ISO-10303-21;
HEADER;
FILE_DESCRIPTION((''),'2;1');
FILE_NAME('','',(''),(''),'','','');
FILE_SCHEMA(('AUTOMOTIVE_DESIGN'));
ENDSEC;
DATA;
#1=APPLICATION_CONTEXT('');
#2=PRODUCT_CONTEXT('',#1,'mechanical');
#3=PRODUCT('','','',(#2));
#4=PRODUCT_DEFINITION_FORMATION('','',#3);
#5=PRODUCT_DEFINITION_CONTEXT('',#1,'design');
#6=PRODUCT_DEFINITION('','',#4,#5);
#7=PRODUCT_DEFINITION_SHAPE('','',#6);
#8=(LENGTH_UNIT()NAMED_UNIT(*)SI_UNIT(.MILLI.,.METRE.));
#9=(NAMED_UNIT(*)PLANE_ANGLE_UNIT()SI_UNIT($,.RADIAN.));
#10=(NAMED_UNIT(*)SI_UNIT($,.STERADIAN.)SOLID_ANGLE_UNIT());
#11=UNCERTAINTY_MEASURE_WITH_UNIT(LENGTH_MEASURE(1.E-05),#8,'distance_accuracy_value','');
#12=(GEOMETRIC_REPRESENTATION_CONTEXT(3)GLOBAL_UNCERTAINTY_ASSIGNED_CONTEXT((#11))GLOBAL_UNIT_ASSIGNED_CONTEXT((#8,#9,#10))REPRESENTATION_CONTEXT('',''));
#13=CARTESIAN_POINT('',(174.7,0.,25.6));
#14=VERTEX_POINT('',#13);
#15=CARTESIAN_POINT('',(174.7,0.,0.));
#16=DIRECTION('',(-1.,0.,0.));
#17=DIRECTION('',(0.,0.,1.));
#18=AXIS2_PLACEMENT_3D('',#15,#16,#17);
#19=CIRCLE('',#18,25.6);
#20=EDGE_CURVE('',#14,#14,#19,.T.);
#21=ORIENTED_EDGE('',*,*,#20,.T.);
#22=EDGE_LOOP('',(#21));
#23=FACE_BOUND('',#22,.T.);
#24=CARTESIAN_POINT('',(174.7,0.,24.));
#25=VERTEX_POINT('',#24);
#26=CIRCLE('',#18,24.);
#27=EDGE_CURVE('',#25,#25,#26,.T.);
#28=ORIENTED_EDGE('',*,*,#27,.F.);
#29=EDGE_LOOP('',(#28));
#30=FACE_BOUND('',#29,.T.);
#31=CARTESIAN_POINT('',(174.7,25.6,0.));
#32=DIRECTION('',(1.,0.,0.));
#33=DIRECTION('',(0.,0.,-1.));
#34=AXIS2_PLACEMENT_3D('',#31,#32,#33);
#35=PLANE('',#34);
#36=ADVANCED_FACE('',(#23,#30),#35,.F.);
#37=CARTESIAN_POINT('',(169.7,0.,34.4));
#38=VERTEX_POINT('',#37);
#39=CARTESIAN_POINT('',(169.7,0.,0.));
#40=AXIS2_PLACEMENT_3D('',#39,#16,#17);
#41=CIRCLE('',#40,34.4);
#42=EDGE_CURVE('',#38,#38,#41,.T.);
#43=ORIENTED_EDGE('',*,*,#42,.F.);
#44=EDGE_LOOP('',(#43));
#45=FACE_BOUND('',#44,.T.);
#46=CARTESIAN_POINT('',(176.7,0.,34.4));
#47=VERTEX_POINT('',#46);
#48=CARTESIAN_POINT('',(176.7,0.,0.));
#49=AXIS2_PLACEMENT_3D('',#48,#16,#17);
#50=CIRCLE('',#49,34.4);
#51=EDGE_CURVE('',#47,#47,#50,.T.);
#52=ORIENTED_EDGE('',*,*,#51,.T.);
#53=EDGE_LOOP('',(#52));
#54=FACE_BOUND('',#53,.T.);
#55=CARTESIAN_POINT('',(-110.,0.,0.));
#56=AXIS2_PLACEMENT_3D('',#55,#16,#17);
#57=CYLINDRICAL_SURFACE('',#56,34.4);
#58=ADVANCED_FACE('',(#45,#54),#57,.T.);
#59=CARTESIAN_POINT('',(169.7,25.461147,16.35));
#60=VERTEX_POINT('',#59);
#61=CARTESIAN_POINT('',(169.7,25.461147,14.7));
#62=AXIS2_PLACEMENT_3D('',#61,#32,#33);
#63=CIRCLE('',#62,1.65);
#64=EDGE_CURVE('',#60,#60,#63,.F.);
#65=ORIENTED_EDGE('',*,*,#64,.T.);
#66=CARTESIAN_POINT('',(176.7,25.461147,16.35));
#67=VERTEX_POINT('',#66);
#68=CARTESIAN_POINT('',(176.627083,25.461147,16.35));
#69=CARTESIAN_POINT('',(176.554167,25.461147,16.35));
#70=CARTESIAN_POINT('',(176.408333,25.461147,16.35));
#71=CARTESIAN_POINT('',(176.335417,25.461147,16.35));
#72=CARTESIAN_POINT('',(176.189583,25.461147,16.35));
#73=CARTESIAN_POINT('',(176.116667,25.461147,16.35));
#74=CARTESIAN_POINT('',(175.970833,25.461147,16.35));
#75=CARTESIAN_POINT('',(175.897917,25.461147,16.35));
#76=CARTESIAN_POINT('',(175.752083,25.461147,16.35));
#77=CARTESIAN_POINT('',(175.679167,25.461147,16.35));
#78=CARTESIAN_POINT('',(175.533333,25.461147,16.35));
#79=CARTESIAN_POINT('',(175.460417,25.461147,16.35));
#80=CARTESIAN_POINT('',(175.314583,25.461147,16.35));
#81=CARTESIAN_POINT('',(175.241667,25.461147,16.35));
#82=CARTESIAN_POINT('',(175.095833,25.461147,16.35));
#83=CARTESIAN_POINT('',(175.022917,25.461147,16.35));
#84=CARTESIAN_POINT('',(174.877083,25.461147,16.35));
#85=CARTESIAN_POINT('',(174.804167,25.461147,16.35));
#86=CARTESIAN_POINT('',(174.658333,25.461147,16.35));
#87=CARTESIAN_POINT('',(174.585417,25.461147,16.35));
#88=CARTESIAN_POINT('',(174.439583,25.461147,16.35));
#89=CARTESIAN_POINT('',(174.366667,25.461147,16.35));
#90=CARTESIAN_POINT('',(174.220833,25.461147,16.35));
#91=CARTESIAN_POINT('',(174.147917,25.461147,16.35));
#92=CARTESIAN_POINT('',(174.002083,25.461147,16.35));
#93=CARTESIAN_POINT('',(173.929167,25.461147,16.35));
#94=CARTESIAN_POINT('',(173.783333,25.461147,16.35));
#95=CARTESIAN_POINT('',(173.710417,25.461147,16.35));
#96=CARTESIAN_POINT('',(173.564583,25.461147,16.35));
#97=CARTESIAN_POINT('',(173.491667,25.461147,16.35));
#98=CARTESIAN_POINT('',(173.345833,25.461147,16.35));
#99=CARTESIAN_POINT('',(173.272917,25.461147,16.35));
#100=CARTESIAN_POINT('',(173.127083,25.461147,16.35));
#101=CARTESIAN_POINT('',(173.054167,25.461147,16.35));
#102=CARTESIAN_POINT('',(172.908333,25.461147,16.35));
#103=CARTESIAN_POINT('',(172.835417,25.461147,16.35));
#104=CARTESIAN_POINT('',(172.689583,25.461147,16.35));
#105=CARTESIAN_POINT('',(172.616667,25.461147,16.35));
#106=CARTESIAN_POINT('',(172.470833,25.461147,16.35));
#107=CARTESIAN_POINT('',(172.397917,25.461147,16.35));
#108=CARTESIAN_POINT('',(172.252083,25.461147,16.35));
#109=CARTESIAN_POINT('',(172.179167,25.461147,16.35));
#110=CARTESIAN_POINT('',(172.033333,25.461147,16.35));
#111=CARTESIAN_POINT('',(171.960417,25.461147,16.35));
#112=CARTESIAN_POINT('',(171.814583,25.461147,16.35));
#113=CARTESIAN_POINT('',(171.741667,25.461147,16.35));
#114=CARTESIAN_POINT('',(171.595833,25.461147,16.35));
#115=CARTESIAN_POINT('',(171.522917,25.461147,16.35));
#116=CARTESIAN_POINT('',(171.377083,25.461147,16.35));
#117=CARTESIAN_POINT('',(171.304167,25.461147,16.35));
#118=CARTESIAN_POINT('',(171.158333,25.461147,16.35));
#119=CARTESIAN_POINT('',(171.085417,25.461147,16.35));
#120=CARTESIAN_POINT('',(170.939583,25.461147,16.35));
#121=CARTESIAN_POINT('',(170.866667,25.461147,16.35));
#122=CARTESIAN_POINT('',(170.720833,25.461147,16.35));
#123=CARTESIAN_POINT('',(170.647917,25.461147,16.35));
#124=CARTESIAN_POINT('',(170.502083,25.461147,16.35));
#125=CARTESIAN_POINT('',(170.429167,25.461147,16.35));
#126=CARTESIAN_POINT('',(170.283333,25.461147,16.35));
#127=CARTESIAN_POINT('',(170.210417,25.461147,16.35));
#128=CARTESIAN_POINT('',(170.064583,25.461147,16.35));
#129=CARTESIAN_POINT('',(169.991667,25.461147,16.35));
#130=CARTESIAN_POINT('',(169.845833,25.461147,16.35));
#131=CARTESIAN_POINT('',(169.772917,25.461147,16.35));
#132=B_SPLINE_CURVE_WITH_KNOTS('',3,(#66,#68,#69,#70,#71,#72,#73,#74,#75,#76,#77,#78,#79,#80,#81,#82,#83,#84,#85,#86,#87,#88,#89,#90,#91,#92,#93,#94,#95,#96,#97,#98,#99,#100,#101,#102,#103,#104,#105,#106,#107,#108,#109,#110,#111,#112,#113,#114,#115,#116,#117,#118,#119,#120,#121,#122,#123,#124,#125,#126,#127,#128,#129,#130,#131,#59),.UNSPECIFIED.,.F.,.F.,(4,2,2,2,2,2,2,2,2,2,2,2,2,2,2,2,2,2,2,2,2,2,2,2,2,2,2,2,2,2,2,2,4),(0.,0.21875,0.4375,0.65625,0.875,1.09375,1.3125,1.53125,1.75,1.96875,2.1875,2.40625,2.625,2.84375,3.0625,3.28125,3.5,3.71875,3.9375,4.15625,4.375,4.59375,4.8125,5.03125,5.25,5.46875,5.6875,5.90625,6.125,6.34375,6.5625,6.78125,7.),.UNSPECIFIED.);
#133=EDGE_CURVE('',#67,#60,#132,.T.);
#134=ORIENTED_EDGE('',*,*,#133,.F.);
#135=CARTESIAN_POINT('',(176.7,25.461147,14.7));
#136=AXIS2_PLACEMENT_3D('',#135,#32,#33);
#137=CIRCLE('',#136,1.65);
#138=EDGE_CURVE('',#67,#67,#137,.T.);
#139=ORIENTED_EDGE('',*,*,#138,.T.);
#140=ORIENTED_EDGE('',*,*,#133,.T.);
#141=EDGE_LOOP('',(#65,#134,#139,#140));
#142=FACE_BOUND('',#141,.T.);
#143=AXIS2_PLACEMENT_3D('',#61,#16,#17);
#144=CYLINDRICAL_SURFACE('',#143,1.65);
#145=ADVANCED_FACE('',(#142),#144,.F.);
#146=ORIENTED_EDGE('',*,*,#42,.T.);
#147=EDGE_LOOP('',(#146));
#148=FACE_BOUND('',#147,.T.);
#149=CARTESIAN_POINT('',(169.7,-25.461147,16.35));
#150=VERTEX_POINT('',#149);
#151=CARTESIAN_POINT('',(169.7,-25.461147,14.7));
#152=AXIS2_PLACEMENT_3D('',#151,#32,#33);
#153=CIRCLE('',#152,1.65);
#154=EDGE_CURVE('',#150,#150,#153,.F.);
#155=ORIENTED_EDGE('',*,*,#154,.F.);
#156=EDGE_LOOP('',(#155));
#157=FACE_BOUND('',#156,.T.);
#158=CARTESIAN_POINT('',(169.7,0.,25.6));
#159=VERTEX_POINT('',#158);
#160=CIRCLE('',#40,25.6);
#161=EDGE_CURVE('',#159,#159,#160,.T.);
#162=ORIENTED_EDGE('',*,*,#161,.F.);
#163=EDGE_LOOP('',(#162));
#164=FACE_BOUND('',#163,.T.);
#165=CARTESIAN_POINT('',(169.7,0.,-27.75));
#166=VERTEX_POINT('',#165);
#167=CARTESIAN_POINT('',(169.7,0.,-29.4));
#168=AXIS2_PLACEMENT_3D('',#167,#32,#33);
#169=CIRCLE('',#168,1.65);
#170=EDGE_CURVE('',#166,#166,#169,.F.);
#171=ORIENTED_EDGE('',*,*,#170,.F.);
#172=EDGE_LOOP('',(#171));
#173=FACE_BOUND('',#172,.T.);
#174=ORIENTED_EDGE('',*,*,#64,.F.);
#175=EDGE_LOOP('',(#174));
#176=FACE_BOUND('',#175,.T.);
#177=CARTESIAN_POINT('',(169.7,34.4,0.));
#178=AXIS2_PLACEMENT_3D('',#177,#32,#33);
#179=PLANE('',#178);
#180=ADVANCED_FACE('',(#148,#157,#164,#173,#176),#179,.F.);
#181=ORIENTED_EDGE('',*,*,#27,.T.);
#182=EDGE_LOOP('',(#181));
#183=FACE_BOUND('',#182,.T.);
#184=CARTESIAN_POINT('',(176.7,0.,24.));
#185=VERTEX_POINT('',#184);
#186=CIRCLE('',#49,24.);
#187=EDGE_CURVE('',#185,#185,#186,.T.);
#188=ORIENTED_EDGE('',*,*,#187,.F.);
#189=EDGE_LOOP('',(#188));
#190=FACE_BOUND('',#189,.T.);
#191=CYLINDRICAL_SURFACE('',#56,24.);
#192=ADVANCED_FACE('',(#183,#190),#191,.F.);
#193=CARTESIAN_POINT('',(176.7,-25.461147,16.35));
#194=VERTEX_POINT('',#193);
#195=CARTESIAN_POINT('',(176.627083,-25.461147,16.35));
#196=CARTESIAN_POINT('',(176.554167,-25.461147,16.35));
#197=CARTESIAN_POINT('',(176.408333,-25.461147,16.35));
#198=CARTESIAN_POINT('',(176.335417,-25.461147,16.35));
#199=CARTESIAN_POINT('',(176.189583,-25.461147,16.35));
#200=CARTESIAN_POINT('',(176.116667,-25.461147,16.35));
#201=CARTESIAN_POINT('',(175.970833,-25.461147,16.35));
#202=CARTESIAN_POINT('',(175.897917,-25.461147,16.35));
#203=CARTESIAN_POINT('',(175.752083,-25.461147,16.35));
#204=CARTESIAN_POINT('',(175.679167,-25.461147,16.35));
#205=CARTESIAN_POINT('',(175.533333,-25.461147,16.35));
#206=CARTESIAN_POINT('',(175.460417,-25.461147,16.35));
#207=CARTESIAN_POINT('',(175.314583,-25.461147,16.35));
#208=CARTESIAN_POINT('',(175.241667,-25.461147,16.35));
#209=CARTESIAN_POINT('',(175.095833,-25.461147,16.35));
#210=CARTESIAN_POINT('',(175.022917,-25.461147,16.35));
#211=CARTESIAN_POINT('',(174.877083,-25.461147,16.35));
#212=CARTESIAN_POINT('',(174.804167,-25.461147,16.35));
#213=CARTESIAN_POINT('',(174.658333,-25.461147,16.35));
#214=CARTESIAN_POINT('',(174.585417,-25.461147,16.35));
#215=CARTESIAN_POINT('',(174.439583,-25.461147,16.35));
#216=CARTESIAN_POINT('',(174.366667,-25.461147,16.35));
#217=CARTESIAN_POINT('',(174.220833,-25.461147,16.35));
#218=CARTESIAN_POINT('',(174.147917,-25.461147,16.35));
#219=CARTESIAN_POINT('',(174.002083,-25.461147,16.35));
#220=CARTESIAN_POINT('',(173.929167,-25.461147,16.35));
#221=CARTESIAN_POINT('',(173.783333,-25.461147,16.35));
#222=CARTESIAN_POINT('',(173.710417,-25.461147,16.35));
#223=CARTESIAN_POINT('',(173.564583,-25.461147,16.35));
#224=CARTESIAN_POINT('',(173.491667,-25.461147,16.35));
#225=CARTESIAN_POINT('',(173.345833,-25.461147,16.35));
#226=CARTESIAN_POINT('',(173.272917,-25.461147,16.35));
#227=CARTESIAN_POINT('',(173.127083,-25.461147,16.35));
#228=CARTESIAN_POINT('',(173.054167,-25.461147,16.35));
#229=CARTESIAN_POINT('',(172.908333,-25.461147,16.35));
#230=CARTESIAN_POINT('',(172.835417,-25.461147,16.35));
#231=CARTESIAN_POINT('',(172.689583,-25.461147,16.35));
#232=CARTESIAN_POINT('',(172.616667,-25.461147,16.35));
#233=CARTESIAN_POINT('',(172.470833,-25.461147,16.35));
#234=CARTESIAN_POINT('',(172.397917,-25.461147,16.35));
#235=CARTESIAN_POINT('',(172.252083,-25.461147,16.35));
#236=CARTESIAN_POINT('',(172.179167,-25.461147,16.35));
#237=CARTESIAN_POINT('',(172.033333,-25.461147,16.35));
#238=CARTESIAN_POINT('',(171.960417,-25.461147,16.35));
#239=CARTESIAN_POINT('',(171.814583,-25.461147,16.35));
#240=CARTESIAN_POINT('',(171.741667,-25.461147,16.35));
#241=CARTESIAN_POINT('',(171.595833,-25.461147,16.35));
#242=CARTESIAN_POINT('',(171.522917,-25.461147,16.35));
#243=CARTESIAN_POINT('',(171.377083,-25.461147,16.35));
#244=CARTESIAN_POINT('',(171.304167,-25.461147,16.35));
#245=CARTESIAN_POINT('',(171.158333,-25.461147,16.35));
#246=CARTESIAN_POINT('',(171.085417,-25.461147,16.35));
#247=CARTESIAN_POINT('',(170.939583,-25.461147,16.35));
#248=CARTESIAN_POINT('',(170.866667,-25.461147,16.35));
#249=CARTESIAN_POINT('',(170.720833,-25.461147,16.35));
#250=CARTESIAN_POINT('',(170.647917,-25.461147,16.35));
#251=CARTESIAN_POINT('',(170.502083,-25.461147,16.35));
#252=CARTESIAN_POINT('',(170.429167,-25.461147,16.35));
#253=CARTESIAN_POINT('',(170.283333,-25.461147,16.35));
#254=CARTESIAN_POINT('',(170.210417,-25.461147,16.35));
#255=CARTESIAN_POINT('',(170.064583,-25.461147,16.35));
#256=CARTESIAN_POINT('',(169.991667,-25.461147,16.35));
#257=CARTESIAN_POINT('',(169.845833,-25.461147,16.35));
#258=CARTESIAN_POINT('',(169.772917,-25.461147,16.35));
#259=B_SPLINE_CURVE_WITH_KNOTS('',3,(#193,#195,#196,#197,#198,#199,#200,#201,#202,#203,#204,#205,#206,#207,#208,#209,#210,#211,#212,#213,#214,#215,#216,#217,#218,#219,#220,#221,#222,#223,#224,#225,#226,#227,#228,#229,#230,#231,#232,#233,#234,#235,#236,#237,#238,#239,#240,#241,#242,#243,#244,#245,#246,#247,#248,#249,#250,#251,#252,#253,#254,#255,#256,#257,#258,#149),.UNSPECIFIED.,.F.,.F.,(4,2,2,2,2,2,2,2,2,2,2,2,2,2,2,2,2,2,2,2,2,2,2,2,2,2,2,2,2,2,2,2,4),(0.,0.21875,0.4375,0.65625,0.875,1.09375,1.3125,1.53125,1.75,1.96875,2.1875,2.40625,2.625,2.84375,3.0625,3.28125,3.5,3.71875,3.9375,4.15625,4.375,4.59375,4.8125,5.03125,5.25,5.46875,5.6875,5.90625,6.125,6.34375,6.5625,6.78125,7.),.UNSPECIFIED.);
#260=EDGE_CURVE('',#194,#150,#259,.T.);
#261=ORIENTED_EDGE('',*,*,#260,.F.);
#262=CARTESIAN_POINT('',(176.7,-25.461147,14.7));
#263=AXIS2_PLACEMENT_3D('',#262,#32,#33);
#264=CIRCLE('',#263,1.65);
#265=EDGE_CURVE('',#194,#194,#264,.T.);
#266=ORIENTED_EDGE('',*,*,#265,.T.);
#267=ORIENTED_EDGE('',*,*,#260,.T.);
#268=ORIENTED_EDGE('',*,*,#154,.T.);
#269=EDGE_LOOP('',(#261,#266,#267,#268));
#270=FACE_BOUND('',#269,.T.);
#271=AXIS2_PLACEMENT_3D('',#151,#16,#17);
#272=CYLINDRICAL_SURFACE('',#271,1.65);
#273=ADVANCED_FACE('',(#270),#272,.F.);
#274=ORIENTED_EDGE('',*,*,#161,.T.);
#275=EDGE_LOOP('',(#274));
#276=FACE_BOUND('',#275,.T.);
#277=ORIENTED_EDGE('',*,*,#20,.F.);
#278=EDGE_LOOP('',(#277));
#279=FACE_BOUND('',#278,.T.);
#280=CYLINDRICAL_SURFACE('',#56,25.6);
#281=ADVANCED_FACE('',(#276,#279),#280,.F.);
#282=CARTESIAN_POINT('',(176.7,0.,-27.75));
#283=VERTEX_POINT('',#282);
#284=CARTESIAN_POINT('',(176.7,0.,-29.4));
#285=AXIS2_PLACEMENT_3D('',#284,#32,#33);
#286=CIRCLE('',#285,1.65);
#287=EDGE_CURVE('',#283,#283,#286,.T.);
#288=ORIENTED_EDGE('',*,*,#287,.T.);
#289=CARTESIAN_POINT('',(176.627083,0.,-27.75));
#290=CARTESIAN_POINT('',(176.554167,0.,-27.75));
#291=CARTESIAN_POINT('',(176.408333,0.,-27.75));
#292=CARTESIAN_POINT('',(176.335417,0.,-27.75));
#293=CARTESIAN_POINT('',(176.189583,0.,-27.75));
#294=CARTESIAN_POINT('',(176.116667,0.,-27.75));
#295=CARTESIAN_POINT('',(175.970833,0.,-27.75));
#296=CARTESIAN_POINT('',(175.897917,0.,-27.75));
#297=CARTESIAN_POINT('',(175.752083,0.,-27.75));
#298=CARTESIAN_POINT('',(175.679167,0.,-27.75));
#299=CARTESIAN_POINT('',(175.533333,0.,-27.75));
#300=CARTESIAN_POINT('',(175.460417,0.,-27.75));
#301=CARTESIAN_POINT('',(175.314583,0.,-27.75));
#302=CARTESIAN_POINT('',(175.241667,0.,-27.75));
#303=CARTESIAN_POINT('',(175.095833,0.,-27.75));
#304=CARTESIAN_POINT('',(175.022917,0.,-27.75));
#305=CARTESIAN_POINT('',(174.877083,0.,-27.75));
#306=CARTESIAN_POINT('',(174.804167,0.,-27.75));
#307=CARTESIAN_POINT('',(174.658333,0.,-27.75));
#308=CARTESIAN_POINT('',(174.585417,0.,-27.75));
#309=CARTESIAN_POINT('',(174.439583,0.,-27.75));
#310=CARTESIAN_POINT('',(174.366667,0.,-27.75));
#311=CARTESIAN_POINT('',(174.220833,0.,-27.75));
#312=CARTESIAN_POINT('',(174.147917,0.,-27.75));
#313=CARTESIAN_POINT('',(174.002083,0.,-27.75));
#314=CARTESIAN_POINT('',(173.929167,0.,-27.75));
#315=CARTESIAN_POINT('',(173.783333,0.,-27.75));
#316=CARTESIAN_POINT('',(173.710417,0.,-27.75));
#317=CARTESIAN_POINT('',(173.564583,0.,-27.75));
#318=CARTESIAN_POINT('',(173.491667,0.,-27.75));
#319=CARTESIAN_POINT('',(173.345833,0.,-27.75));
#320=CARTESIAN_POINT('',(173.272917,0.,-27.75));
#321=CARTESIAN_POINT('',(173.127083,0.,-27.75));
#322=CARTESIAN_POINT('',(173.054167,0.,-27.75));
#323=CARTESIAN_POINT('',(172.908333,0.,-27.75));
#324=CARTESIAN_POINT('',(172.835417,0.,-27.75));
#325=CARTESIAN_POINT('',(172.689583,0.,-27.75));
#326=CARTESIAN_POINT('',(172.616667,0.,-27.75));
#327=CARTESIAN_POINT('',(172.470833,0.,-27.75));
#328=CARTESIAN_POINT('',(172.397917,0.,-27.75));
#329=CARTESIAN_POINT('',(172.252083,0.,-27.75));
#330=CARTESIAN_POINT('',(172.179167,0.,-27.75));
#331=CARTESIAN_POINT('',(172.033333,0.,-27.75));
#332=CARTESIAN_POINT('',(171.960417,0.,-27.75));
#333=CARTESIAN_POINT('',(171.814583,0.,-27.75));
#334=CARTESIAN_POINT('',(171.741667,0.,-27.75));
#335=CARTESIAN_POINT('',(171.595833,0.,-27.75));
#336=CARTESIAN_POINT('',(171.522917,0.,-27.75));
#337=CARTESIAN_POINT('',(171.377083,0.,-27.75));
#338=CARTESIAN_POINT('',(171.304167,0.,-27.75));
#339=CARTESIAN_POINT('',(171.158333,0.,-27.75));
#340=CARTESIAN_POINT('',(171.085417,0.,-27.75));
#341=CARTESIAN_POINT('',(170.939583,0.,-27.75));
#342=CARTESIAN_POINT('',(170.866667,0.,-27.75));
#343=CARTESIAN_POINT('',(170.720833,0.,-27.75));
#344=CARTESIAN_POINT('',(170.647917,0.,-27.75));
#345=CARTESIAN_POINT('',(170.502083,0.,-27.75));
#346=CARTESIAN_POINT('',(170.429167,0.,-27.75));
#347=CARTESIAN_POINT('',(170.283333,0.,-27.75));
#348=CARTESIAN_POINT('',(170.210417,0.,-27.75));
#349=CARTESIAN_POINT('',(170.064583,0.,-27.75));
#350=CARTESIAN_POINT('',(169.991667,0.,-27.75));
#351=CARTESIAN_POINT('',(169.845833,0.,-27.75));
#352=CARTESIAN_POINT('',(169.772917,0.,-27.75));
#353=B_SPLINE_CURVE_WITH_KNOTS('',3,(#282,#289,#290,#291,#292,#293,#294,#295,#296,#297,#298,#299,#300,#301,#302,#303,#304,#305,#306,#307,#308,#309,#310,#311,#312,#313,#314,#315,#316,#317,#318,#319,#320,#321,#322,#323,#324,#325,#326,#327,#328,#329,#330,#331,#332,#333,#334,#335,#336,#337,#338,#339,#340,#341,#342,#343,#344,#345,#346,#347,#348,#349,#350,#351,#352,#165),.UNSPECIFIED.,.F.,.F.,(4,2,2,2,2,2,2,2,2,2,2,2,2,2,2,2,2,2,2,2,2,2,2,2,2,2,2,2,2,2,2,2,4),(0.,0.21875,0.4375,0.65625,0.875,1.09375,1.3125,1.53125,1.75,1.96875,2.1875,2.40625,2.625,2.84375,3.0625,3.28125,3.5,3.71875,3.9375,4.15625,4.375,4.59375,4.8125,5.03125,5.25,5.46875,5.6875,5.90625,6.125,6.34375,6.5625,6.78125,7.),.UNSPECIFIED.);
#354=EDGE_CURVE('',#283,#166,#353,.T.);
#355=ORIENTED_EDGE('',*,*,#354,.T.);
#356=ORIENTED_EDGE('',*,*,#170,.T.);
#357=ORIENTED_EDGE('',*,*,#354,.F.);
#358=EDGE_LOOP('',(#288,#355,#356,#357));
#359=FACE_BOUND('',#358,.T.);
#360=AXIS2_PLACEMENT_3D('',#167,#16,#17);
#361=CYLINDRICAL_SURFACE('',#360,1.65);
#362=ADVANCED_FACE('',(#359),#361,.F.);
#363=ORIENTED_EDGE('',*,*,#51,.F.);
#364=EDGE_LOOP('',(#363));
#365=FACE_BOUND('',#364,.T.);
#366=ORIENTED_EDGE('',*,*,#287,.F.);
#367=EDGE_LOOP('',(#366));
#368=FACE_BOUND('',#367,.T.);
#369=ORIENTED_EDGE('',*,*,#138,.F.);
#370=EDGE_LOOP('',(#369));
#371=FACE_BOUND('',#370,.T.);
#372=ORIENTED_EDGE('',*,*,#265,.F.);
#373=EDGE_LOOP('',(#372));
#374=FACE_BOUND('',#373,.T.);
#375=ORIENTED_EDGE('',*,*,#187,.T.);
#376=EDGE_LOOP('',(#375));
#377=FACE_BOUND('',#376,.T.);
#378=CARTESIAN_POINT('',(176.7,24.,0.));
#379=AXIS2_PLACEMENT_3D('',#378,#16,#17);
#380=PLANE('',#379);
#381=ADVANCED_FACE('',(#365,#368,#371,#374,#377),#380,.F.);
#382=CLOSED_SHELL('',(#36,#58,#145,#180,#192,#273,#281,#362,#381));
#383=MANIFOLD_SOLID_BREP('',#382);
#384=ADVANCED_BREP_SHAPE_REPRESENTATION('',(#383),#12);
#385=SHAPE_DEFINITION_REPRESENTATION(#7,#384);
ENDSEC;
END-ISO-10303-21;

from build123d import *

# Parameters (mm, degrees)
AXIAL_HOLES_DEPTH      = 184.274684558
AXIAL_HOLES_DEPTH_BACK = 184.274684558
SKETCH2_R              = 1.65


with BuildPart() as part:
    # Axial profile (mm) → Full revolution (revolve)
    with BuildSketch(Plane.XY, mode=Mode.PRIVATE) as full_revolution_sk:
        Polygon((169.7, 25.6), (174.7, 25.6), (174.7, 24), (176.7, 24), (176.7, 34.4), (169.7, 34.4), align=None)
    revolve(full_revolution_sk.sketch.rotate(Axis((-110, 0, 0), (1, 0, 0)), 90), axis=Axis((-110, 0, 0), (1, 0, 0)))

    # Sketch2 → Axial holes (cut, two sides: drawn at the far end of the back side and taken through both)
    with BuildSketch(Plane(origin=(0, 0, 0), x_dir=(0, 0, -1), z_dir=(1, 0, 0)).offset(-AXIAL_HOLES_DEPTH_BACK)):
        with Locations(Location((29.4, 0, 0), (0, 0, 180))):
            Circle(SKETCH2_R)
        with Locations(Location((-14.7, 25.461146871, 0), (0, 0, 180))):
            Circle(SKETCH2_R)
        with Locations(Location((-14.7, -25.461146871, 0), (0, 0, 180))):
            Circle(SKETCH2_R)
    extrude(amount=AXIAL_HOLES_DEPTH + AXIAL_HOLES_DEPTH_BACK, mode=Mode.SUBTRACT)


solid = part.part
